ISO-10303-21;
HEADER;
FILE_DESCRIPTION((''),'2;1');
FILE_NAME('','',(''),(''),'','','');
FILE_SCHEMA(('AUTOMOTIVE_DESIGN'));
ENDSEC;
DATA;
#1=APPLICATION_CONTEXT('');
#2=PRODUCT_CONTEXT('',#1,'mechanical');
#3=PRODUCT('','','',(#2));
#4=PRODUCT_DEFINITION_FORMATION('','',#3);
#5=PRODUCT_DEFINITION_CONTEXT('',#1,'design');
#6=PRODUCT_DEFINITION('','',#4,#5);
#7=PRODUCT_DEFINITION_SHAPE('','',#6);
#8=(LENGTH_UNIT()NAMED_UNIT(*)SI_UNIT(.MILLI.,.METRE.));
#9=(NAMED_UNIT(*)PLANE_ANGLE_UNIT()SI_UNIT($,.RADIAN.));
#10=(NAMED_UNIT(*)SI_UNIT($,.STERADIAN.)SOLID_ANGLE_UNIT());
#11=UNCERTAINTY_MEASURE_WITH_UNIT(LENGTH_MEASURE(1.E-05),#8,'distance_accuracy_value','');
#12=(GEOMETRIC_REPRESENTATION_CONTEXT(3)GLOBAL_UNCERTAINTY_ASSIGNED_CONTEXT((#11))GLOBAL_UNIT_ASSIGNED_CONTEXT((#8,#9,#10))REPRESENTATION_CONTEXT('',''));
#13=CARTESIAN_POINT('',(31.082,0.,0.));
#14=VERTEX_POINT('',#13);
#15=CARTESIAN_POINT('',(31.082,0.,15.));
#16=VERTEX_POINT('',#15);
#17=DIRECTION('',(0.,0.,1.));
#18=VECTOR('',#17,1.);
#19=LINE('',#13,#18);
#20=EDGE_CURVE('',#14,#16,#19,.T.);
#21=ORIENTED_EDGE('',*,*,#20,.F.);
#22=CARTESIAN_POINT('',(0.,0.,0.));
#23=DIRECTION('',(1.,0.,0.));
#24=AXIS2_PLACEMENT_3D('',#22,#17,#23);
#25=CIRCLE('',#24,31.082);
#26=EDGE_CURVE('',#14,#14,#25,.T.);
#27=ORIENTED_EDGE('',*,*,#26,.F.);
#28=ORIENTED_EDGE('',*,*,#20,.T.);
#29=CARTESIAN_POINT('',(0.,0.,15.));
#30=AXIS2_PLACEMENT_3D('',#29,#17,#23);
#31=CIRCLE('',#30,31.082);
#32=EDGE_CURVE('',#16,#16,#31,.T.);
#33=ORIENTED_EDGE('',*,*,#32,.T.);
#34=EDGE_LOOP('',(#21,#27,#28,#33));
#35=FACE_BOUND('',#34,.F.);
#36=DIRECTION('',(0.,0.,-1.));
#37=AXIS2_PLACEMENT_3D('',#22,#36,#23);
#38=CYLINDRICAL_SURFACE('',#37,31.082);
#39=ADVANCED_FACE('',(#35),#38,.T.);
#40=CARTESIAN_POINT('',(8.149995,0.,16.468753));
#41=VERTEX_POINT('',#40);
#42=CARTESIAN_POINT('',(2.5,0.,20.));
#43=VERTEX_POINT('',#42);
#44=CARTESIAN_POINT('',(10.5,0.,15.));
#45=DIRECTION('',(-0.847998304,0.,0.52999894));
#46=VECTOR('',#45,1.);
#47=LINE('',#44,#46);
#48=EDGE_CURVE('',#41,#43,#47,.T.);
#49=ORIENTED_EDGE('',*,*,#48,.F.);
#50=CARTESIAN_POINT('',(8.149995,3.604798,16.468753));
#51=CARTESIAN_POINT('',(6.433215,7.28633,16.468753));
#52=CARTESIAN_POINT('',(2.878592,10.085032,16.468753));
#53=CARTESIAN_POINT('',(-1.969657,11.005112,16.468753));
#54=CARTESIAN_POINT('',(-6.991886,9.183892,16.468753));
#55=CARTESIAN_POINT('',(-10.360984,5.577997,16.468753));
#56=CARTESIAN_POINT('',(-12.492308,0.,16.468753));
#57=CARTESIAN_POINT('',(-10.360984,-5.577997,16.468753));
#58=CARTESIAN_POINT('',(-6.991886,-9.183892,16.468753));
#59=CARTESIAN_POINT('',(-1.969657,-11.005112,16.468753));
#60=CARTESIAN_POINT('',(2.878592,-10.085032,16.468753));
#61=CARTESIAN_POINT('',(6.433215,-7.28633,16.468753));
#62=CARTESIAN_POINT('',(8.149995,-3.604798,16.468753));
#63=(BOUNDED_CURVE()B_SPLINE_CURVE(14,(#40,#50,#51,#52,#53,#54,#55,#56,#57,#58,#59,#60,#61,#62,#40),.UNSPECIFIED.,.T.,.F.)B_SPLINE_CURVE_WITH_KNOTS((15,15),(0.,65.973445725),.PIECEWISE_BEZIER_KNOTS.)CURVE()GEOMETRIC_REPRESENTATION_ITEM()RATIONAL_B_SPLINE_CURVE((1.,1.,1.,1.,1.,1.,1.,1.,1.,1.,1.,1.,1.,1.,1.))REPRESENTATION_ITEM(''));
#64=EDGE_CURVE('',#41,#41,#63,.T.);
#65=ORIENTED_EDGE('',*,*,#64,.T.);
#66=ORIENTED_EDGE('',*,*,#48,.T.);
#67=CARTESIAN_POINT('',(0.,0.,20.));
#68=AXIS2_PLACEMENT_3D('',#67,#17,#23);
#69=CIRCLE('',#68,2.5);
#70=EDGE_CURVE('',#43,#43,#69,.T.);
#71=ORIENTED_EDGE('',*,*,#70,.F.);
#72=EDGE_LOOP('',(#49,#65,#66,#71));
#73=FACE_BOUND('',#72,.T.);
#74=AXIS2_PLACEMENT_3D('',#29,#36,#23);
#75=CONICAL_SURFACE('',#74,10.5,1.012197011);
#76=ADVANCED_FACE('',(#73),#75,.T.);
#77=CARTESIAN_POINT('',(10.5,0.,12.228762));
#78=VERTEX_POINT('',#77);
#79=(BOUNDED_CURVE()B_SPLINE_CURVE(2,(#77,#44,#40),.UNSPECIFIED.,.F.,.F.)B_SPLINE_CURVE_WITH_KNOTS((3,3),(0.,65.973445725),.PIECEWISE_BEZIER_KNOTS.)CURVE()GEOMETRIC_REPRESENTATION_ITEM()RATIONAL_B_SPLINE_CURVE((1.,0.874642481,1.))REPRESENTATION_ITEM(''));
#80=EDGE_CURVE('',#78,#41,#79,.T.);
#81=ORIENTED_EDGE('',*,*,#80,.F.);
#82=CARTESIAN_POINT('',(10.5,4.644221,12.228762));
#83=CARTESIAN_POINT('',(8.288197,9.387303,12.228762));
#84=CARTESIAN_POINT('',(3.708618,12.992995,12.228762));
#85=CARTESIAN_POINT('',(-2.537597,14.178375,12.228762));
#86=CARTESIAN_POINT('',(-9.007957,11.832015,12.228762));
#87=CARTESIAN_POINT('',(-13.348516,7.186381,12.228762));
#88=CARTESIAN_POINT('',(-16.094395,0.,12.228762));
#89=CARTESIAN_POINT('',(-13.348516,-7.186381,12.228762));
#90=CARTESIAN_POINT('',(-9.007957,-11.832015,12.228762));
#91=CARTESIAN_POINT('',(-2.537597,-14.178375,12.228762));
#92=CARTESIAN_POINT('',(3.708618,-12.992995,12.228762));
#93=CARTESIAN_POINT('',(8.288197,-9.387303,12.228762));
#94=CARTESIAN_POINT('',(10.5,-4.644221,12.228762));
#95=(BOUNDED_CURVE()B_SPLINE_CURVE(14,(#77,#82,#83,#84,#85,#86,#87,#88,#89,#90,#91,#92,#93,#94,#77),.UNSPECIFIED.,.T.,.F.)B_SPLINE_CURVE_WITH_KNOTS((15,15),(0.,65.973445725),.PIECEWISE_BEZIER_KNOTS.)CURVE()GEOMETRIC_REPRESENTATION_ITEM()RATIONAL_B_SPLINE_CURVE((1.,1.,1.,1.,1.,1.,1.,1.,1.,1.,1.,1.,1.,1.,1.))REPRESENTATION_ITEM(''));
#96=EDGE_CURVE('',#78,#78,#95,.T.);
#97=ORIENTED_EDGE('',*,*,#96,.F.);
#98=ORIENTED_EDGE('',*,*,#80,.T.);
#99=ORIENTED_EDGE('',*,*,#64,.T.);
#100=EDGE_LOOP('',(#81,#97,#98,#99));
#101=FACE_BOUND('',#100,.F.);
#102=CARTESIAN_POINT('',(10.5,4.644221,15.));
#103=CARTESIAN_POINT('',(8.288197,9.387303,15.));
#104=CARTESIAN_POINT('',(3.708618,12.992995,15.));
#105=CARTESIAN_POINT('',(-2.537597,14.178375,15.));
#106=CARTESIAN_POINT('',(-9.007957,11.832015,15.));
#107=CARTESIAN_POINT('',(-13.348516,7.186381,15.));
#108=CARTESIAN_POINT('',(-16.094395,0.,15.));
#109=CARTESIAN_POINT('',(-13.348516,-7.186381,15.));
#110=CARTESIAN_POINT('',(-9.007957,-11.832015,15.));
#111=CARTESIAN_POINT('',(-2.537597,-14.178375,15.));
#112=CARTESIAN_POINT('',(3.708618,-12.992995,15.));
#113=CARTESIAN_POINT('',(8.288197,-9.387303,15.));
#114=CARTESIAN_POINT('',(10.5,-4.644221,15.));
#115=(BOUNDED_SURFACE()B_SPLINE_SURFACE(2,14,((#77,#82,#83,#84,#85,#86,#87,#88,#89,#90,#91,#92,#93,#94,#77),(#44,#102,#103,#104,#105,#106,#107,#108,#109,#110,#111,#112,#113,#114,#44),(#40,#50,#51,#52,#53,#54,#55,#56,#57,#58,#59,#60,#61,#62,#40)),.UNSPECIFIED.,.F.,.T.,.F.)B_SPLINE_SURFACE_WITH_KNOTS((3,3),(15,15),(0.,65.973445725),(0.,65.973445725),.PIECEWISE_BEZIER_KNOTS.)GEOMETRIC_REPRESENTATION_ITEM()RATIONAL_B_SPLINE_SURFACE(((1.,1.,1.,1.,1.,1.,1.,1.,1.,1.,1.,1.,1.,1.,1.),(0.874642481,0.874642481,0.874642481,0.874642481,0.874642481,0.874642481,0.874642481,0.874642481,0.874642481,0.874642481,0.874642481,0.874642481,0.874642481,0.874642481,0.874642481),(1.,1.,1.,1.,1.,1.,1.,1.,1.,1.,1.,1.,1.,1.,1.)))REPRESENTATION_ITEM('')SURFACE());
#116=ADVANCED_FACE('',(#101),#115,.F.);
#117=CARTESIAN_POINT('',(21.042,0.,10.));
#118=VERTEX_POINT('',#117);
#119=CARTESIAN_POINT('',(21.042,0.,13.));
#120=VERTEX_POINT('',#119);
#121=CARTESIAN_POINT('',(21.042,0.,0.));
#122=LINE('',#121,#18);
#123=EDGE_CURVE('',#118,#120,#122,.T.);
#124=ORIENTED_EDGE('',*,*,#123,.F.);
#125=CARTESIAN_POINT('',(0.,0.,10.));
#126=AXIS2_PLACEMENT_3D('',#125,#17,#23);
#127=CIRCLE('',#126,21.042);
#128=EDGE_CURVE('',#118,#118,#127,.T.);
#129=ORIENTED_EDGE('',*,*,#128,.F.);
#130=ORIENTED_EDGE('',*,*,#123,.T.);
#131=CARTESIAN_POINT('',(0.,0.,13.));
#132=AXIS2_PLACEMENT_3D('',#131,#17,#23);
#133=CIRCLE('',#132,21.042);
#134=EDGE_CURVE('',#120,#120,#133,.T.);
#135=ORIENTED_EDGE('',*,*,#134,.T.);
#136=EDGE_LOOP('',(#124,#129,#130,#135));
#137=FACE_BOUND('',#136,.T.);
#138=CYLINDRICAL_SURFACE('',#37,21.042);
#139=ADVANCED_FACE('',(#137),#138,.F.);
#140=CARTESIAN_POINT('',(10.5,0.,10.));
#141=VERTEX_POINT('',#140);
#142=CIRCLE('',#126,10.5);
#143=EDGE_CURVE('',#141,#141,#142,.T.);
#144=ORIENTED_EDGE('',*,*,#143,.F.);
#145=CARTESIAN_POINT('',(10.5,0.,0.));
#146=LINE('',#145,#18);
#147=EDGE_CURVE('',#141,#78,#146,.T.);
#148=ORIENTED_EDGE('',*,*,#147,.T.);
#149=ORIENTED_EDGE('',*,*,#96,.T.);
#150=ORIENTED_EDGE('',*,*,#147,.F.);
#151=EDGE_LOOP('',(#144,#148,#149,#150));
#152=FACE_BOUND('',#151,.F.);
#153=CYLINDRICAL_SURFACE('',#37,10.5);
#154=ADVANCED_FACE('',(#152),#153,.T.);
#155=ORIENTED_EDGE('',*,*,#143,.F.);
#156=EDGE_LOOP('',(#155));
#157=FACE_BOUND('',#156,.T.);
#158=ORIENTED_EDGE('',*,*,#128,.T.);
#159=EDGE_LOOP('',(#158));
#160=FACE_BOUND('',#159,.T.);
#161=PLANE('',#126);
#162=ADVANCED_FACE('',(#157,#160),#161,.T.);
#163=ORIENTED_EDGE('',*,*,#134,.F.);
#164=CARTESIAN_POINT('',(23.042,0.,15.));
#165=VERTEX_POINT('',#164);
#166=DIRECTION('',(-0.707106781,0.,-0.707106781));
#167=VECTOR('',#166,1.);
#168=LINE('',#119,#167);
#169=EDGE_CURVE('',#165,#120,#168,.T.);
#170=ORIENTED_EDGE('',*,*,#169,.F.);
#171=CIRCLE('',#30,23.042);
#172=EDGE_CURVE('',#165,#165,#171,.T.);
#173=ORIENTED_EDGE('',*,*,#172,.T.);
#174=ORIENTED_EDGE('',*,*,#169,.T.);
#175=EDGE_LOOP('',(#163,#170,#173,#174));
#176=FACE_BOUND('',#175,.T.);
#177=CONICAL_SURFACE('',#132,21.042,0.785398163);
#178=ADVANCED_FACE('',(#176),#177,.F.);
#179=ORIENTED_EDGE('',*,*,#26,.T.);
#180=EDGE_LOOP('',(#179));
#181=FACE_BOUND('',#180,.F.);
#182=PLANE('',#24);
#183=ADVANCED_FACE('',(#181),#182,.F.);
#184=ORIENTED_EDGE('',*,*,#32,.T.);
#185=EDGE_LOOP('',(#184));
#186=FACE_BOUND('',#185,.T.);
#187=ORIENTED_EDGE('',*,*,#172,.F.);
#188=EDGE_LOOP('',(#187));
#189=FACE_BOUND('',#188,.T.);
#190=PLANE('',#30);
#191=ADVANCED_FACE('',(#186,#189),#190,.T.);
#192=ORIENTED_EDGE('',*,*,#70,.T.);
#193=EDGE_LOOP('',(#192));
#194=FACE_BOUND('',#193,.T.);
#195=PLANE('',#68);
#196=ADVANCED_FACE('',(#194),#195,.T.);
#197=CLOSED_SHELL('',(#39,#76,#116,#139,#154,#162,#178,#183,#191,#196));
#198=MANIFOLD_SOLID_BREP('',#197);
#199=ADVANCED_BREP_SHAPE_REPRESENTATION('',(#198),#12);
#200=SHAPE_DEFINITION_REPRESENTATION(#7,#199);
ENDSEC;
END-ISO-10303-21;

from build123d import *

# Parameters (mm, degrees)
F0_R     = 10.5
F1_DEPTH = 15
F0_R_2   = 21.042
F4_DEPTH = 10
F0_R_3   = 31.082
F5_DEPTH = 15
F6_SIZE  = 2
F7_R     = 5


with BuildPart() as f1:
    # F0 (on Top) → F1 (new body)
    with BuildSketch(Plane.XY):
        Circle(F0_R)
    extrude(amount=F1_DEPTH)

    # F2 (on Front) → F3 (revolve)
    with BuildSketch(Plane.XZ):
        Polygon((0, 15), (10.5, 15), (2.5, 20), (0, 20), align=None)
    revolve(axis=Axis((0, 0, 17.5), (0, 0, 1)))

    # F0 (on Top) → F4 (join)
    with BuildSketch(Plane.XY):
        Circle(F0_R_2)
        Circle(F0_R, mode=Mode.SUBTRACT)
    extrude(amount=F4_DEPTH)

    # F0 (on Top) → F5 (join)
    with BuildSketch(Plane.XY):
        Circle(F0_R_3)
        Circle(F0_R_2, mode=Mode.SUBTRACT)
    extrude(amount=F5_DEPTH)

    # F6
    f6_edges = [f1.edges().sort_by_distance(p)[0] for p in [
        (-21.042, 0, 15),
    ]]
    chamfer(f6_edges, length=F6_SIZE)

    # F7
    f7_edges = [f1.edges().sort_by_distance(p)[0] for p in [
        (-10.5, 0, 15),
    ]]
    fillet(f7_edges, radius=F7_R)


solid = f1.part
